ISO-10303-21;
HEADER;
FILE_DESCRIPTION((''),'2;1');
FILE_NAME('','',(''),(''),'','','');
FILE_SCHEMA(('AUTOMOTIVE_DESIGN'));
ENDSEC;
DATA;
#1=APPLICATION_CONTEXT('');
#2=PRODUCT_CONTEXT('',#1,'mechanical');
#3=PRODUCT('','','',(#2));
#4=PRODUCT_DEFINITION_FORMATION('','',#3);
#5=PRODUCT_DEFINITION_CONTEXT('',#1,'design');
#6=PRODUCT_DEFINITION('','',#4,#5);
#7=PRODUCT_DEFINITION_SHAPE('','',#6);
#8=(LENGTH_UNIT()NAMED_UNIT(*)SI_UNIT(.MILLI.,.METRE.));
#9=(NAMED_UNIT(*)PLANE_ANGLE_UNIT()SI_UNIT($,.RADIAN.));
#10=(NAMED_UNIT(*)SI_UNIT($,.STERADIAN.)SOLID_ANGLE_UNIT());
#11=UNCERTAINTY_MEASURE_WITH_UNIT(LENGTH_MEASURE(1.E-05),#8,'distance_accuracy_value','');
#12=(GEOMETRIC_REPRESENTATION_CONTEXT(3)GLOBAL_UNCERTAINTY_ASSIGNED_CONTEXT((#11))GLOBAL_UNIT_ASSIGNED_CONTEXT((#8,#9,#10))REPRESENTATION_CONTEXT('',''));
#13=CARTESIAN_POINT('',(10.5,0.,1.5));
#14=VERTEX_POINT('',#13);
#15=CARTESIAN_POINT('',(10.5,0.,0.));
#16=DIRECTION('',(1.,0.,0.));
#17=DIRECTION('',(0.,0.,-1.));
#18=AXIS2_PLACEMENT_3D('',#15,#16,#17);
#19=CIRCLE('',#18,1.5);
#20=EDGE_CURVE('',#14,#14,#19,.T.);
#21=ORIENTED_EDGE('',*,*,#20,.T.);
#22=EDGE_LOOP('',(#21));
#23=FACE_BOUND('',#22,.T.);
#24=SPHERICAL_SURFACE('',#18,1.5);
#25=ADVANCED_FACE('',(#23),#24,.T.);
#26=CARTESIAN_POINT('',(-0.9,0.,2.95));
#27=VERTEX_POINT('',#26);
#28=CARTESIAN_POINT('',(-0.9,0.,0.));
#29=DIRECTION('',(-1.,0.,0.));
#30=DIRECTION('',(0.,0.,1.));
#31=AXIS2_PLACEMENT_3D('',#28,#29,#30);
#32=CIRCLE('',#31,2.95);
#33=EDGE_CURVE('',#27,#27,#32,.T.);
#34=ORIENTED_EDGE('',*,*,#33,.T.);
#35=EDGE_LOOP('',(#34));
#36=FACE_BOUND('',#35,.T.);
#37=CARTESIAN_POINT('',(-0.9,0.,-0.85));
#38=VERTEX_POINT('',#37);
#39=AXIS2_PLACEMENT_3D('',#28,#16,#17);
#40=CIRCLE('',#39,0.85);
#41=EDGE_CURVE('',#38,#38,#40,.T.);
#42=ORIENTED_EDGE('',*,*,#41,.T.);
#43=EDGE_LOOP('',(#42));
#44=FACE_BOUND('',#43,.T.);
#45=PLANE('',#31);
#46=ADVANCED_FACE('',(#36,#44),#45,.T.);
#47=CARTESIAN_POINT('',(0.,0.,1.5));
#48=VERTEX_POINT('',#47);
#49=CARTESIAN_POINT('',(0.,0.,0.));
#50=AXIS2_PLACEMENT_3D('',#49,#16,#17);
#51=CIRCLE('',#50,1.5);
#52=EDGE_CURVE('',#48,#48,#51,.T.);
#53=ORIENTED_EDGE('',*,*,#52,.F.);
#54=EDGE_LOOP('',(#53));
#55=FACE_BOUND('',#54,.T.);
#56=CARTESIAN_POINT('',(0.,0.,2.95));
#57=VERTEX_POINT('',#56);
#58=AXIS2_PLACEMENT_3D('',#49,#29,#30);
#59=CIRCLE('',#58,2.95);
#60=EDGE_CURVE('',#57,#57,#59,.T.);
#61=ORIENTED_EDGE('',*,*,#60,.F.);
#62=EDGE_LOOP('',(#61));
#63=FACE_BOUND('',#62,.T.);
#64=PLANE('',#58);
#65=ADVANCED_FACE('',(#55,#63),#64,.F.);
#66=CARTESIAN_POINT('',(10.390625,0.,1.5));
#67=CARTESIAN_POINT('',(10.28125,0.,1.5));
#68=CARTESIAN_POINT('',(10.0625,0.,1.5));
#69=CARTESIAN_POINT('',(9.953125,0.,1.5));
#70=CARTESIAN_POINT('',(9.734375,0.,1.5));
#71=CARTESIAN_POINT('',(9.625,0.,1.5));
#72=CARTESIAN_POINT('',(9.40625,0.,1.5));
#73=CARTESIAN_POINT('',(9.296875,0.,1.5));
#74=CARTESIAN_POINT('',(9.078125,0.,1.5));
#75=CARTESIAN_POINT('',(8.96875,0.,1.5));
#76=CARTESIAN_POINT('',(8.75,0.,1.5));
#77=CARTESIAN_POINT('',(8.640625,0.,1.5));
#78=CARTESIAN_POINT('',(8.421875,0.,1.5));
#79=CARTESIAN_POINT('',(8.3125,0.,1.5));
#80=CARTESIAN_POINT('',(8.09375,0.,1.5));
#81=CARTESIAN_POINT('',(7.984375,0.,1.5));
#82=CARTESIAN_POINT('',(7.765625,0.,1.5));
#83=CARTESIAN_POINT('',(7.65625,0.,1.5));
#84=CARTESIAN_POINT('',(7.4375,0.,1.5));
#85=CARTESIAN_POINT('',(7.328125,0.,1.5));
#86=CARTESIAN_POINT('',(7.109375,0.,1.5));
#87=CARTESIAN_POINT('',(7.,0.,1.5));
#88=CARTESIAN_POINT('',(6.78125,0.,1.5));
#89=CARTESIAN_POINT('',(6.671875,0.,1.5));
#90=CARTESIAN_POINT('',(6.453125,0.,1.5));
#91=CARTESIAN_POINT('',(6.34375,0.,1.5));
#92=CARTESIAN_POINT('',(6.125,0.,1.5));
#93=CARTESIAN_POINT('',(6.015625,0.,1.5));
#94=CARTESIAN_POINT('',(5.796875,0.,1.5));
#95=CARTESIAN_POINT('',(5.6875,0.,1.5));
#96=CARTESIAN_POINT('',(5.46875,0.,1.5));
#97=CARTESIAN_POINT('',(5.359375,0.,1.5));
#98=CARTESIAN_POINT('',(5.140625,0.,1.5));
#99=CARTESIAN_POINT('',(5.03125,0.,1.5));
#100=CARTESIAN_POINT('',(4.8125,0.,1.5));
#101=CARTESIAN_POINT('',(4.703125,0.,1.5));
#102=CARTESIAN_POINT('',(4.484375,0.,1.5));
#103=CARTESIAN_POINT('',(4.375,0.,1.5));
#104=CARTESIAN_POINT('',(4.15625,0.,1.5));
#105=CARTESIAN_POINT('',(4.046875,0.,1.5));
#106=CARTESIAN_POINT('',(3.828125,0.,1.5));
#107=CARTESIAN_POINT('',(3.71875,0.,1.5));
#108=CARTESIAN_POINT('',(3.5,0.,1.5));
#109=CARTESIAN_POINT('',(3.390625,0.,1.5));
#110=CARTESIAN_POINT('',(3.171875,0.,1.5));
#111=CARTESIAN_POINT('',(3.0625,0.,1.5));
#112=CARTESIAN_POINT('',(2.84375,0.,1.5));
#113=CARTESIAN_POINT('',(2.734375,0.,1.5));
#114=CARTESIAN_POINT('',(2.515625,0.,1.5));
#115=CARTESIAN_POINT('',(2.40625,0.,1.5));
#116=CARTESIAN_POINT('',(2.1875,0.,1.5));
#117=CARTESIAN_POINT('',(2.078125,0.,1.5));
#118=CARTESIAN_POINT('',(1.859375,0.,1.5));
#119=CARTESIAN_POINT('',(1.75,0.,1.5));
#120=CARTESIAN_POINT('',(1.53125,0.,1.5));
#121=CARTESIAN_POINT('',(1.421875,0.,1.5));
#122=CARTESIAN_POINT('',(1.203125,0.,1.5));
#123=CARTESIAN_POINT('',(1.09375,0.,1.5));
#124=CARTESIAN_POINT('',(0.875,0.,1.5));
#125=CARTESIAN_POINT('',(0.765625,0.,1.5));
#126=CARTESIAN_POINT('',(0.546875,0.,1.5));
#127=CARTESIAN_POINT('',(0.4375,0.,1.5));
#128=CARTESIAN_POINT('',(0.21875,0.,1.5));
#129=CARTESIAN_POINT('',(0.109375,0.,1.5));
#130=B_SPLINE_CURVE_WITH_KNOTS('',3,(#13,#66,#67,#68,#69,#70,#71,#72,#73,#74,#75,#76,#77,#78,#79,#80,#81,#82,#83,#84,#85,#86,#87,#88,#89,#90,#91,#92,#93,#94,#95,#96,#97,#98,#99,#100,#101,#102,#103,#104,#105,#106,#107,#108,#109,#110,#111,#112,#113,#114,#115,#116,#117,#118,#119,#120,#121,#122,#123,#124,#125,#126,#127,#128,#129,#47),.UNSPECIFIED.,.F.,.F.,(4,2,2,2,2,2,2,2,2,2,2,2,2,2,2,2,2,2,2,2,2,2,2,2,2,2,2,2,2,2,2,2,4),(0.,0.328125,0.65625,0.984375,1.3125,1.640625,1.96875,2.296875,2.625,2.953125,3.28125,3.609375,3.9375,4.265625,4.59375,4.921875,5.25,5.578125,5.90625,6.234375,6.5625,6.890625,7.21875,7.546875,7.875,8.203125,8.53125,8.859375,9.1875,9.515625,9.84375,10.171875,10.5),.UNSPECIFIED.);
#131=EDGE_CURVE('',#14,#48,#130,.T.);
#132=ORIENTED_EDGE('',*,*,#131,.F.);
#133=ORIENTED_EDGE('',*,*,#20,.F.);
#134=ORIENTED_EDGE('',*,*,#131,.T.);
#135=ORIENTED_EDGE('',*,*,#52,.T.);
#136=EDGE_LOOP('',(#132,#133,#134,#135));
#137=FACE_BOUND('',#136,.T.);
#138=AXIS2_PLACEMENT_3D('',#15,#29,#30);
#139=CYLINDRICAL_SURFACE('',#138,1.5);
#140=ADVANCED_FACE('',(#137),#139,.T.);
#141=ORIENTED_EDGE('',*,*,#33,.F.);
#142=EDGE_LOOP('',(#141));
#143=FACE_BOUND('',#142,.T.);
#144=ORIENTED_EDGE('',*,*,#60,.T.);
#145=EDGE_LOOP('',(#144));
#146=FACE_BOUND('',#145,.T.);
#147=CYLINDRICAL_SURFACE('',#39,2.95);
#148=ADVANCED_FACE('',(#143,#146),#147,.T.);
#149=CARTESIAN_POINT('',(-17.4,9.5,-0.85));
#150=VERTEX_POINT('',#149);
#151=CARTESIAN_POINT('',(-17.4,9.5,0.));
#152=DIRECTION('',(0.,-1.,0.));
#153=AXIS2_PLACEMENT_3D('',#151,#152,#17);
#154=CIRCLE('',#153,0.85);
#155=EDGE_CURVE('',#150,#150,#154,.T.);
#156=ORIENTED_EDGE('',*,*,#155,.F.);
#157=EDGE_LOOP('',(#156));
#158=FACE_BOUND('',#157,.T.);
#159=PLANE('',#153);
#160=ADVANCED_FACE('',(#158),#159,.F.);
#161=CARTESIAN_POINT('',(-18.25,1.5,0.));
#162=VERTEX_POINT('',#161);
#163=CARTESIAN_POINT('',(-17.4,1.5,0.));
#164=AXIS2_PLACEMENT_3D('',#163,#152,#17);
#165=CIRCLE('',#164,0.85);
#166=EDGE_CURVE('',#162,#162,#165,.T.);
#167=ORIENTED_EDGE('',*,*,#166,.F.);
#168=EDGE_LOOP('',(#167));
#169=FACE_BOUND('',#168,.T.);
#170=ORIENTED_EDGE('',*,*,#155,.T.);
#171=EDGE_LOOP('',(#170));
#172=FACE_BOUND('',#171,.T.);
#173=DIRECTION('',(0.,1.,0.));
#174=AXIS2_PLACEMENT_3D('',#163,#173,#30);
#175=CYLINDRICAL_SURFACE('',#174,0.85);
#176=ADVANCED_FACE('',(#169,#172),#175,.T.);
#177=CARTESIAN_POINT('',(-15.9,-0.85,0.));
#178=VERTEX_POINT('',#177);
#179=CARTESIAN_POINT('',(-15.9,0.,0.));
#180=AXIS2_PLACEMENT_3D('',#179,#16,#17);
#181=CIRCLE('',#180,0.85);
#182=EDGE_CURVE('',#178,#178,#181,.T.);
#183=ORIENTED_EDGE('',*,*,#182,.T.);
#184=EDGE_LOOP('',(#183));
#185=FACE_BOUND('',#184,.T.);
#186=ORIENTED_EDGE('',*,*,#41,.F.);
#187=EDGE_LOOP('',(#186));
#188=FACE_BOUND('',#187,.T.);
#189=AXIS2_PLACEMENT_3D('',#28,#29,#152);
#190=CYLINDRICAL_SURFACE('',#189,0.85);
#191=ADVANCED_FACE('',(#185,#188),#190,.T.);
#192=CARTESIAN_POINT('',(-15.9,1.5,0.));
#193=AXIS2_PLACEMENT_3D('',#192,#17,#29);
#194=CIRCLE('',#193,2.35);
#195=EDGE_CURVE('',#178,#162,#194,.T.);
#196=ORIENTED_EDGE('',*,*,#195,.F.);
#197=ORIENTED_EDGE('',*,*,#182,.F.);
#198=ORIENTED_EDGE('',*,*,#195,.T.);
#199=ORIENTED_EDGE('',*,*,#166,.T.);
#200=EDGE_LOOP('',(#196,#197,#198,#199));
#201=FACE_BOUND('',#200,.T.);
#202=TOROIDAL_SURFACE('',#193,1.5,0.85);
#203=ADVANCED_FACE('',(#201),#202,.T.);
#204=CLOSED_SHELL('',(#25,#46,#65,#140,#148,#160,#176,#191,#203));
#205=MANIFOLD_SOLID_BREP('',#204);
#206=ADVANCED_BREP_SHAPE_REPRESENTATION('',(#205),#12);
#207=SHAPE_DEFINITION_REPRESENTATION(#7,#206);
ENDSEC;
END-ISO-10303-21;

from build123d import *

# Parameters (mm, degrees)
SKETCH1_R           = 1.5
BOSS_EXTRUDE1_DEPTH = 10.5
SKETCH2_R           = 2.95
BOSS_EXTRUDE2_DEPTH = 0.9
SWEEP1_PROFILE_R    = 0.85


with BuildPart() as part:
    # Sketch1 → Boss-Extrude1 (new body)
    with BuildSketch(Plane(origin=(0, 0, 0), x_dir=(0, 0, -1), z_dir=(1, 0, 0))):
        with Locations(Location((0, 0, 0), (0, 0, 180))):
            Circle(SKETCH1_R)
    extrude(amount=BOSS_EXTRUDE1_DEPTH)

    # Sketch8 → Revolve1 (revolve)
    with BuildSketch(Plane(origin=(10.5, 0, 0), x_dir=(0, 0, -1), z_dir=(1, 0, 0))):
        with BuildLine():
            Line((1.5, 0), (-1.5, 0))
            ThreePointArc((-1.5, 0), (0, 1.5), (1.5, 0))
        make_face()
    revolve(axis=Axis((10.5, 0, -1.5), (0, 0, 1)))

    # Sketch2 → Boss-Extrude2 (add)
    with BuildSketch(Plane.ZY):
        Circle(SKETCH2_R)
    extrude(amount=BOSS_EXTRUDE2_DEPTH)

    # Sweep1: sweep along a path in Sketch3
    with BuildLine(Plane.XY) as sweep1_path:
        Line((-0.9, 0), (-15.9, 0))
        ThreePointArc((-15.9, 0), (-16.960660172, 0.439339828), (-17.4, 1.5))
        Line((-17.4, 1.5), (-17.4, 9.5))
    # Sweep1 profile (on start of the path) → Sweep1 (sweep)
    with BuildSketch(Plane(origin=(-0.9, 0, 0), x_dir=(0, -1, 0), z_dir=(-1, 0, 0))):
        Circle(SWEEP1_PROFILE_R)
    sweep(path=sweep1_path.line)


solid = part.part
